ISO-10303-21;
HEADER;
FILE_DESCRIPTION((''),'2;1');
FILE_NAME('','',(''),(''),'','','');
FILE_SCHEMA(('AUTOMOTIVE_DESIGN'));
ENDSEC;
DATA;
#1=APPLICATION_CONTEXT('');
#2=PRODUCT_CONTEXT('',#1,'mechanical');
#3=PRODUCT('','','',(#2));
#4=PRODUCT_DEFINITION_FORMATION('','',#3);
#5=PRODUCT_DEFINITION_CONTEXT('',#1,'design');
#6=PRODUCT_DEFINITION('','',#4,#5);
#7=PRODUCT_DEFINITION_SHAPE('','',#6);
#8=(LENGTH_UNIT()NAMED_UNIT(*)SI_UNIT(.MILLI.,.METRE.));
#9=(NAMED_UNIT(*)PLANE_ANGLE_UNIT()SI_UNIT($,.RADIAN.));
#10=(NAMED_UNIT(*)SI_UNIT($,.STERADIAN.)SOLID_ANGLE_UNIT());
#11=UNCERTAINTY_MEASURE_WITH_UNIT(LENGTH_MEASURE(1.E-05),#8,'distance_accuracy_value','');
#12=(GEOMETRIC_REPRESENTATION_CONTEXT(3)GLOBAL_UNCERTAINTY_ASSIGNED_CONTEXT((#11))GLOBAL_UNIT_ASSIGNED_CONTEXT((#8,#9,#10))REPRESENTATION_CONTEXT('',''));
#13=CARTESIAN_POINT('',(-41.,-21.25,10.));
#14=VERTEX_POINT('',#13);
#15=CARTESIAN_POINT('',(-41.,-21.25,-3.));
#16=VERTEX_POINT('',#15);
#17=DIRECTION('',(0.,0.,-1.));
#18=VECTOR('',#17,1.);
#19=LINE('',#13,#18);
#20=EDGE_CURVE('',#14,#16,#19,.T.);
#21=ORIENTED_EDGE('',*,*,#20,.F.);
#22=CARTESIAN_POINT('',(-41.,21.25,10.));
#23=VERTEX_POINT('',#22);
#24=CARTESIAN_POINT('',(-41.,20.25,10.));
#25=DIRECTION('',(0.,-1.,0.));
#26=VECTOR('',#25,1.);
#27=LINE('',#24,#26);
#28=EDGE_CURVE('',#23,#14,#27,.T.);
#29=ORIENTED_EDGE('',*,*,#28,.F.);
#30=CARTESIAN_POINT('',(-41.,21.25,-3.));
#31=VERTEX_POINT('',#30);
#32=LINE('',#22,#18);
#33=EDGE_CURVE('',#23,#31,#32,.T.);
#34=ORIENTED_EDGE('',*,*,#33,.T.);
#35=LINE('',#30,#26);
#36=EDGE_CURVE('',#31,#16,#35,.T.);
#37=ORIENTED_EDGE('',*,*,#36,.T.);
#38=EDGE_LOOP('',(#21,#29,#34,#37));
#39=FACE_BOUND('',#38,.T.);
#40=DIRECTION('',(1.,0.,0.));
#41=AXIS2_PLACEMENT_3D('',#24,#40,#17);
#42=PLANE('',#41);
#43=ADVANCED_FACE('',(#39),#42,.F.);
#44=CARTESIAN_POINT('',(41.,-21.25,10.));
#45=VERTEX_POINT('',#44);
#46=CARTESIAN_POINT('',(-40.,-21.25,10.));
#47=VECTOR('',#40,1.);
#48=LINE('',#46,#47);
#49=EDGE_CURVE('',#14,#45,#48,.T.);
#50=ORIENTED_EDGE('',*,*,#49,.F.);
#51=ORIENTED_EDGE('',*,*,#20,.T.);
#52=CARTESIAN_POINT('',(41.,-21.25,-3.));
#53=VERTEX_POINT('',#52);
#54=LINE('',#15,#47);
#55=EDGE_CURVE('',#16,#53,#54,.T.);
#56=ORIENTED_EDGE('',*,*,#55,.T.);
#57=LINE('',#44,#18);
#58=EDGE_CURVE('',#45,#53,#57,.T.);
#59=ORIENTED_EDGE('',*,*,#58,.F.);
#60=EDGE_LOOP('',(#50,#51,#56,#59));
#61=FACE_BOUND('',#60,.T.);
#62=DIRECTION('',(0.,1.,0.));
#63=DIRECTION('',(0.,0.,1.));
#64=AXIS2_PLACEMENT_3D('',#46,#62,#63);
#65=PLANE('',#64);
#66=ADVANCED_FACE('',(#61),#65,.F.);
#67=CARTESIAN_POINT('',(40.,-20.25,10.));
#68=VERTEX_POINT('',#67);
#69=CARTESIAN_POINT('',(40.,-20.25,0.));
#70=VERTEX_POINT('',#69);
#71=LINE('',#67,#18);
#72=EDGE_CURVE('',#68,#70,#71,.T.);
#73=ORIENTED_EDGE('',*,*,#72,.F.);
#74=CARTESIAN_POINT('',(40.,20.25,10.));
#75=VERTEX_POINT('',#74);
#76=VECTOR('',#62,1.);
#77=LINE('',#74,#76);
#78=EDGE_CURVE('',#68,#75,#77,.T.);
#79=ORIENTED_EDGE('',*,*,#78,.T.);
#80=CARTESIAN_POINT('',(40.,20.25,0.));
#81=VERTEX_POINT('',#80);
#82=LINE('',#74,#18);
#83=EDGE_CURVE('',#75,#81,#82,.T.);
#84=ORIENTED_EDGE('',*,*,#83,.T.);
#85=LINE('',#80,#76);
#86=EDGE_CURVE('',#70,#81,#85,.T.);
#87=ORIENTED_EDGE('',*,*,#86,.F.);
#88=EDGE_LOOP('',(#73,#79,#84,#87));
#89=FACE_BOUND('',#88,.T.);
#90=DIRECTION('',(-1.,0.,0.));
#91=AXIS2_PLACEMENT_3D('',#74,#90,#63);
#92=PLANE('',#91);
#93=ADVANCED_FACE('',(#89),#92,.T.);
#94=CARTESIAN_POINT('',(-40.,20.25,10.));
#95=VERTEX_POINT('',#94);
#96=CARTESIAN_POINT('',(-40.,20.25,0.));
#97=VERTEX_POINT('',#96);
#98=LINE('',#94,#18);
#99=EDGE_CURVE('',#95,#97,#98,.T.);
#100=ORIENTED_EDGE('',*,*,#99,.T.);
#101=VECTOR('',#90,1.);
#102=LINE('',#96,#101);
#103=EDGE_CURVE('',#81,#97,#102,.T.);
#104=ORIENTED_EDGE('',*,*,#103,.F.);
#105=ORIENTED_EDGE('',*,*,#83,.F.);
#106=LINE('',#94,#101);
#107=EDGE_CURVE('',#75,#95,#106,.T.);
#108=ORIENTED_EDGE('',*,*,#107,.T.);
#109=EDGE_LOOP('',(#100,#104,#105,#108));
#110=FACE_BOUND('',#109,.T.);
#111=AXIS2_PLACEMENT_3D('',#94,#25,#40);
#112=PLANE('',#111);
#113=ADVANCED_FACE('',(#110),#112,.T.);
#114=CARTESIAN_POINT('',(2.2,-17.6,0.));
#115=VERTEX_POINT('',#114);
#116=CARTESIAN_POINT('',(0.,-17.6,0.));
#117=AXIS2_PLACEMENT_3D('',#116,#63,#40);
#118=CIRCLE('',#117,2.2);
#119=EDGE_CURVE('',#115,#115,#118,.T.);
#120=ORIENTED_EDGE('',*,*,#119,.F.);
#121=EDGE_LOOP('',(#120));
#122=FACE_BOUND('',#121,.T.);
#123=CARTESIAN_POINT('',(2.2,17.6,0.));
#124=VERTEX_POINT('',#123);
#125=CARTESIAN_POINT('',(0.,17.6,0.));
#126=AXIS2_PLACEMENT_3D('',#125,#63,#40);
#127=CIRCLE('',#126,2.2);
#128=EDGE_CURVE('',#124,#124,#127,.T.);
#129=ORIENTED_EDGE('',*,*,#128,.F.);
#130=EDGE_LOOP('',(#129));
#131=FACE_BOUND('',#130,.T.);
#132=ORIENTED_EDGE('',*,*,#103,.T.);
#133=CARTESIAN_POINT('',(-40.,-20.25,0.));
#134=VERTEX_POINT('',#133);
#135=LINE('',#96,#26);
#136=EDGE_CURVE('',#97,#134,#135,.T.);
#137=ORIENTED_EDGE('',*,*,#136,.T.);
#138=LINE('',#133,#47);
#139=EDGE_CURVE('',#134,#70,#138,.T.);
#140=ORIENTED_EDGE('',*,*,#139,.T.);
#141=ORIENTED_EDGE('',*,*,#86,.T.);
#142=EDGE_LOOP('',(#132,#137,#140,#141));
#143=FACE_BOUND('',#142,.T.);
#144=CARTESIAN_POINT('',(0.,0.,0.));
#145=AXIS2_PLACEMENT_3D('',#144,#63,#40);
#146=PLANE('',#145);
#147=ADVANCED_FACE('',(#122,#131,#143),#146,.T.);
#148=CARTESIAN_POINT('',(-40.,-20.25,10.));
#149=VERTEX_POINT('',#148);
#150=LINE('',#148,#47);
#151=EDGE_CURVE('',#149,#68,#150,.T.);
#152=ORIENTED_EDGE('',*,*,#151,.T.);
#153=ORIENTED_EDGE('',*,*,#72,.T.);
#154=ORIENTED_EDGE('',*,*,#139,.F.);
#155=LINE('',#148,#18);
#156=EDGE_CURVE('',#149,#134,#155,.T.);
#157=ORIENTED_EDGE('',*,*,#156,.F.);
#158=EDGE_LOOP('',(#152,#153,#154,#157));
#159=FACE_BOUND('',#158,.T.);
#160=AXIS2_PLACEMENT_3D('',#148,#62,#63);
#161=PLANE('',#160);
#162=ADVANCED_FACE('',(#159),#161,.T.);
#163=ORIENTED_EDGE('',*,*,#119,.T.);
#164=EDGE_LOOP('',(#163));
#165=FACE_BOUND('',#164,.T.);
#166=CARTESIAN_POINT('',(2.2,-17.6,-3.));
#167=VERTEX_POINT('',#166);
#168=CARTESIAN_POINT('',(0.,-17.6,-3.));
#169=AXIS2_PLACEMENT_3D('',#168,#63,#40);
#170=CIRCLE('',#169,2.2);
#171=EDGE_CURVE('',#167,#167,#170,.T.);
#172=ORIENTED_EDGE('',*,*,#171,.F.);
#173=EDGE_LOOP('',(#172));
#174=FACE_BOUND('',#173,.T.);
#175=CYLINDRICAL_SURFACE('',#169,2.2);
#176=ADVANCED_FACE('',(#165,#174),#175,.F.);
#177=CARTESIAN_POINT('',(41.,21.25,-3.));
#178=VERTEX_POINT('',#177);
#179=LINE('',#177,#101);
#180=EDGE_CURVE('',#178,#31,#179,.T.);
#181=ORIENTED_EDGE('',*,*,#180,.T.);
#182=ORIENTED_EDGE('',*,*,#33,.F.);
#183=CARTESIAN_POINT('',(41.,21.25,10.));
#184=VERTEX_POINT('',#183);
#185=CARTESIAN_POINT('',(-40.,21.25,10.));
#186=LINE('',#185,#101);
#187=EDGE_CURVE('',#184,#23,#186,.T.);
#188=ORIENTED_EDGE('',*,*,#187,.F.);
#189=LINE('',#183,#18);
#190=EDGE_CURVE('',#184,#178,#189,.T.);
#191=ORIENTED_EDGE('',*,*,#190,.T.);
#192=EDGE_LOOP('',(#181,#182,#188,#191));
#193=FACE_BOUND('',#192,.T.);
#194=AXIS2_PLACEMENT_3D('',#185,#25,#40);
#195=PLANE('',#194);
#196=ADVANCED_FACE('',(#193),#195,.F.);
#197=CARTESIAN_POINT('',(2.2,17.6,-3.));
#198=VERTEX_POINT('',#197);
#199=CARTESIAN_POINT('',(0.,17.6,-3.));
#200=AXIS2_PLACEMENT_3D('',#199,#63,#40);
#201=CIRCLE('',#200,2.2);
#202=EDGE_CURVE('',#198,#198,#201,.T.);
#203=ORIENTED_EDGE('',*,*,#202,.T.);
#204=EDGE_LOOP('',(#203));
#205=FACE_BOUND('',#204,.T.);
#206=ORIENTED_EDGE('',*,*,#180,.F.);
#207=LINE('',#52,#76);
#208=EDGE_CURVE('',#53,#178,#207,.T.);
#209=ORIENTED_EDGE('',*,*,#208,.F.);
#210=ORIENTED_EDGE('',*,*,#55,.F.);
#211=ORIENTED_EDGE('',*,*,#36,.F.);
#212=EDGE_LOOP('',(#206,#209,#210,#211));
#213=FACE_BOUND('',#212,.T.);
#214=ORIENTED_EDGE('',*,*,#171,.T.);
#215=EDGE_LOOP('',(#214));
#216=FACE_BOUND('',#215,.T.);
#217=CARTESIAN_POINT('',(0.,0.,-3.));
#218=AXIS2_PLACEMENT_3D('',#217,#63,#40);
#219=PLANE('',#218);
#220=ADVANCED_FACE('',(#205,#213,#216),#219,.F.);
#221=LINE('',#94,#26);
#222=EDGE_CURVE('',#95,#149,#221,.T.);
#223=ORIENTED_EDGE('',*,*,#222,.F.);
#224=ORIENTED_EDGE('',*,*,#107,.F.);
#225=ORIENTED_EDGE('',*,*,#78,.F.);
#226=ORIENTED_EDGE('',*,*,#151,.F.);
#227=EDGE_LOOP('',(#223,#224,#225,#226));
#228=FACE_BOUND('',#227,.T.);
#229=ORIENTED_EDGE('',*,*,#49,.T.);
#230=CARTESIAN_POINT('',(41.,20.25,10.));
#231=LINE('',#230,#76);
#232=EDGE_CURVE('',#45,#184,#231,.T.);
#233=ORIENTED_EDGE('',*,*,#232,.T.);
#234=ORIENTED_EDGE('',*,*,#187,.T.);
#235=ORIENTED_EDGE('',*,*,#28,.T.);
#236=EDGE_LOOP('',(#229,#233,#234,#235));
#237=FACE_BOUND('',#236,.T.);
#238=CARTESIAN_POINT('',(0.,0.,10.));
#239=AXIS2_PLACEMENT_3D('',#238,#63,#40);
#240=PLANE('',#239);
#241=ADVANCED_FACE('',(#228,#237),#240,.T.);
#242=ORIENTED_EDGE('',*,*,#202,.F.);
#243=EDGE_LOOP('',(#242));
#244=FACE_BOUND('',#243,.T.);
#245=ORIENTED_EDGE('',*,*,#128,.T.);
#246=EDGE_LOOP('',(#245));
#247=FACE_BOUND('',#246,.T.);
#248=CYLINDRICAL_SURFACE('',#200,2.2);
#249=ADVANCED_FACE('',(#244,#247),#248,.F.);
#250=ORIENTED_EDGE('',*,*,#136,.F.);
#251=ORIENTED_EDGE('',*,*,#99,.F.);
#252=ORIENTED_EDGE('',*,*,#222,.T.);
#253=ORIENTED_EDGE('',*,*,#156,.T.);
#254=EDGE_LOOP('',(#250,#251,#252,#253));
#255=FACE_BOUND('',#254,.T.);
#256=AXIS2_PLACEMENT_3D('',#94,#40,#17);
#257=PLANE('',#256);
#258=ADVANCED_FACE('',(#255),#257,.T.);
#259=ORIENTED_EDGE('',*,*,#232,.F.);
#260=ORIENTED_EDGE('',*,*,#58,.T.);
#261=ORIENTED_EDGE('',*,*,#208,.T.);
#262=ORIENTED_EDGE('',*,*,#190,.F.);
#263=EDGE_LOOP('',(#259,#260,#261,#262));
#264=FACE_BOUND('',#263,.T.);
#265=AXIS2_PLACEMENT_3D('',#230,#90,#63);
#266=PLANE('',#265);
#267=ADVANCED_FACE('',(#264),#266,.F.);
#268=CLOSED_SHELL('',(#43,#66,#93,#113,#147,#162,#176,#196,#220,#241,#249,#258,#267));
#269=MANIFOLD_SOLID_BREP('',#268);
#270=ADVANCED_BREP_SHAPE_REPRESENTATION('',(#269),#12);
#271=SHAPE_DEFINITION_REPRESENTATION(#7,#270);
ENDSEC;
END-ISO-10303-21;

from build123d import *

# Parameters (mm, degrees)
SKETCH1_W                   = 82
SKETCH1_H                   = 42.5
SKETCH1_W_2                 = 80
SKETCH1_H_2                 = 40.5
VYSUNOUT_TENKOST_NN_1_DEPTH = 10
SKICA1_W                    = 82
SKICA1_H                    = 42.5
P_IDAT_VYSUNUT_M1_DEPTH     = 3
SKETCH3_R                   = 2.2
CUT_EXTRUDE2_DEPTH          = 11
CUT_EXTRUDE2_DEPTH_BACK     = 4


with BuildPart() as part:
    # Sketch1 → Vysunout tenkostěnný1 (new body)
    with BuildSketch(Plane.XY):
        Rectangle(SKETCH1_W, SKETCH1_H)
        Rectangle(SKETCH1_W_2, SKETCH1_H_2, mode=Mode.SUBTRACT)
    extrude(amount=VYSUNOUT_TENKOST_NN_1_DEPTH)

    # Skica1 → Přidat vysunutím1 (add)
    with BuildSketch(Plane.XY):
        Rectangle(SKICA1_W, SKICA1_H)
    extrude(amount=-P_IDAT_VYSUNUT_M1_DEPTH)

    # Sketch3 → Cut-Extrude2 (cut, two sides)
    with BuildSketch(Plane.XY) as cut_extrude2_sk:
        with Locations((0, -17.6)):
            Circle(SKETCH3_R)
        with Locations((0, 17.6)):
            Circle(SKETCH3_R)
    extrude(amount=CUT_EXTRUDE2_DEPTH, mode=Mode.SUBTRACT)
    extrude(cut_extrude2_sk.sketch, amount=-CUT_EXTRUDE2_DEPTH_BACK, mode=Mode.SUBTRACT)


solid = part.part
